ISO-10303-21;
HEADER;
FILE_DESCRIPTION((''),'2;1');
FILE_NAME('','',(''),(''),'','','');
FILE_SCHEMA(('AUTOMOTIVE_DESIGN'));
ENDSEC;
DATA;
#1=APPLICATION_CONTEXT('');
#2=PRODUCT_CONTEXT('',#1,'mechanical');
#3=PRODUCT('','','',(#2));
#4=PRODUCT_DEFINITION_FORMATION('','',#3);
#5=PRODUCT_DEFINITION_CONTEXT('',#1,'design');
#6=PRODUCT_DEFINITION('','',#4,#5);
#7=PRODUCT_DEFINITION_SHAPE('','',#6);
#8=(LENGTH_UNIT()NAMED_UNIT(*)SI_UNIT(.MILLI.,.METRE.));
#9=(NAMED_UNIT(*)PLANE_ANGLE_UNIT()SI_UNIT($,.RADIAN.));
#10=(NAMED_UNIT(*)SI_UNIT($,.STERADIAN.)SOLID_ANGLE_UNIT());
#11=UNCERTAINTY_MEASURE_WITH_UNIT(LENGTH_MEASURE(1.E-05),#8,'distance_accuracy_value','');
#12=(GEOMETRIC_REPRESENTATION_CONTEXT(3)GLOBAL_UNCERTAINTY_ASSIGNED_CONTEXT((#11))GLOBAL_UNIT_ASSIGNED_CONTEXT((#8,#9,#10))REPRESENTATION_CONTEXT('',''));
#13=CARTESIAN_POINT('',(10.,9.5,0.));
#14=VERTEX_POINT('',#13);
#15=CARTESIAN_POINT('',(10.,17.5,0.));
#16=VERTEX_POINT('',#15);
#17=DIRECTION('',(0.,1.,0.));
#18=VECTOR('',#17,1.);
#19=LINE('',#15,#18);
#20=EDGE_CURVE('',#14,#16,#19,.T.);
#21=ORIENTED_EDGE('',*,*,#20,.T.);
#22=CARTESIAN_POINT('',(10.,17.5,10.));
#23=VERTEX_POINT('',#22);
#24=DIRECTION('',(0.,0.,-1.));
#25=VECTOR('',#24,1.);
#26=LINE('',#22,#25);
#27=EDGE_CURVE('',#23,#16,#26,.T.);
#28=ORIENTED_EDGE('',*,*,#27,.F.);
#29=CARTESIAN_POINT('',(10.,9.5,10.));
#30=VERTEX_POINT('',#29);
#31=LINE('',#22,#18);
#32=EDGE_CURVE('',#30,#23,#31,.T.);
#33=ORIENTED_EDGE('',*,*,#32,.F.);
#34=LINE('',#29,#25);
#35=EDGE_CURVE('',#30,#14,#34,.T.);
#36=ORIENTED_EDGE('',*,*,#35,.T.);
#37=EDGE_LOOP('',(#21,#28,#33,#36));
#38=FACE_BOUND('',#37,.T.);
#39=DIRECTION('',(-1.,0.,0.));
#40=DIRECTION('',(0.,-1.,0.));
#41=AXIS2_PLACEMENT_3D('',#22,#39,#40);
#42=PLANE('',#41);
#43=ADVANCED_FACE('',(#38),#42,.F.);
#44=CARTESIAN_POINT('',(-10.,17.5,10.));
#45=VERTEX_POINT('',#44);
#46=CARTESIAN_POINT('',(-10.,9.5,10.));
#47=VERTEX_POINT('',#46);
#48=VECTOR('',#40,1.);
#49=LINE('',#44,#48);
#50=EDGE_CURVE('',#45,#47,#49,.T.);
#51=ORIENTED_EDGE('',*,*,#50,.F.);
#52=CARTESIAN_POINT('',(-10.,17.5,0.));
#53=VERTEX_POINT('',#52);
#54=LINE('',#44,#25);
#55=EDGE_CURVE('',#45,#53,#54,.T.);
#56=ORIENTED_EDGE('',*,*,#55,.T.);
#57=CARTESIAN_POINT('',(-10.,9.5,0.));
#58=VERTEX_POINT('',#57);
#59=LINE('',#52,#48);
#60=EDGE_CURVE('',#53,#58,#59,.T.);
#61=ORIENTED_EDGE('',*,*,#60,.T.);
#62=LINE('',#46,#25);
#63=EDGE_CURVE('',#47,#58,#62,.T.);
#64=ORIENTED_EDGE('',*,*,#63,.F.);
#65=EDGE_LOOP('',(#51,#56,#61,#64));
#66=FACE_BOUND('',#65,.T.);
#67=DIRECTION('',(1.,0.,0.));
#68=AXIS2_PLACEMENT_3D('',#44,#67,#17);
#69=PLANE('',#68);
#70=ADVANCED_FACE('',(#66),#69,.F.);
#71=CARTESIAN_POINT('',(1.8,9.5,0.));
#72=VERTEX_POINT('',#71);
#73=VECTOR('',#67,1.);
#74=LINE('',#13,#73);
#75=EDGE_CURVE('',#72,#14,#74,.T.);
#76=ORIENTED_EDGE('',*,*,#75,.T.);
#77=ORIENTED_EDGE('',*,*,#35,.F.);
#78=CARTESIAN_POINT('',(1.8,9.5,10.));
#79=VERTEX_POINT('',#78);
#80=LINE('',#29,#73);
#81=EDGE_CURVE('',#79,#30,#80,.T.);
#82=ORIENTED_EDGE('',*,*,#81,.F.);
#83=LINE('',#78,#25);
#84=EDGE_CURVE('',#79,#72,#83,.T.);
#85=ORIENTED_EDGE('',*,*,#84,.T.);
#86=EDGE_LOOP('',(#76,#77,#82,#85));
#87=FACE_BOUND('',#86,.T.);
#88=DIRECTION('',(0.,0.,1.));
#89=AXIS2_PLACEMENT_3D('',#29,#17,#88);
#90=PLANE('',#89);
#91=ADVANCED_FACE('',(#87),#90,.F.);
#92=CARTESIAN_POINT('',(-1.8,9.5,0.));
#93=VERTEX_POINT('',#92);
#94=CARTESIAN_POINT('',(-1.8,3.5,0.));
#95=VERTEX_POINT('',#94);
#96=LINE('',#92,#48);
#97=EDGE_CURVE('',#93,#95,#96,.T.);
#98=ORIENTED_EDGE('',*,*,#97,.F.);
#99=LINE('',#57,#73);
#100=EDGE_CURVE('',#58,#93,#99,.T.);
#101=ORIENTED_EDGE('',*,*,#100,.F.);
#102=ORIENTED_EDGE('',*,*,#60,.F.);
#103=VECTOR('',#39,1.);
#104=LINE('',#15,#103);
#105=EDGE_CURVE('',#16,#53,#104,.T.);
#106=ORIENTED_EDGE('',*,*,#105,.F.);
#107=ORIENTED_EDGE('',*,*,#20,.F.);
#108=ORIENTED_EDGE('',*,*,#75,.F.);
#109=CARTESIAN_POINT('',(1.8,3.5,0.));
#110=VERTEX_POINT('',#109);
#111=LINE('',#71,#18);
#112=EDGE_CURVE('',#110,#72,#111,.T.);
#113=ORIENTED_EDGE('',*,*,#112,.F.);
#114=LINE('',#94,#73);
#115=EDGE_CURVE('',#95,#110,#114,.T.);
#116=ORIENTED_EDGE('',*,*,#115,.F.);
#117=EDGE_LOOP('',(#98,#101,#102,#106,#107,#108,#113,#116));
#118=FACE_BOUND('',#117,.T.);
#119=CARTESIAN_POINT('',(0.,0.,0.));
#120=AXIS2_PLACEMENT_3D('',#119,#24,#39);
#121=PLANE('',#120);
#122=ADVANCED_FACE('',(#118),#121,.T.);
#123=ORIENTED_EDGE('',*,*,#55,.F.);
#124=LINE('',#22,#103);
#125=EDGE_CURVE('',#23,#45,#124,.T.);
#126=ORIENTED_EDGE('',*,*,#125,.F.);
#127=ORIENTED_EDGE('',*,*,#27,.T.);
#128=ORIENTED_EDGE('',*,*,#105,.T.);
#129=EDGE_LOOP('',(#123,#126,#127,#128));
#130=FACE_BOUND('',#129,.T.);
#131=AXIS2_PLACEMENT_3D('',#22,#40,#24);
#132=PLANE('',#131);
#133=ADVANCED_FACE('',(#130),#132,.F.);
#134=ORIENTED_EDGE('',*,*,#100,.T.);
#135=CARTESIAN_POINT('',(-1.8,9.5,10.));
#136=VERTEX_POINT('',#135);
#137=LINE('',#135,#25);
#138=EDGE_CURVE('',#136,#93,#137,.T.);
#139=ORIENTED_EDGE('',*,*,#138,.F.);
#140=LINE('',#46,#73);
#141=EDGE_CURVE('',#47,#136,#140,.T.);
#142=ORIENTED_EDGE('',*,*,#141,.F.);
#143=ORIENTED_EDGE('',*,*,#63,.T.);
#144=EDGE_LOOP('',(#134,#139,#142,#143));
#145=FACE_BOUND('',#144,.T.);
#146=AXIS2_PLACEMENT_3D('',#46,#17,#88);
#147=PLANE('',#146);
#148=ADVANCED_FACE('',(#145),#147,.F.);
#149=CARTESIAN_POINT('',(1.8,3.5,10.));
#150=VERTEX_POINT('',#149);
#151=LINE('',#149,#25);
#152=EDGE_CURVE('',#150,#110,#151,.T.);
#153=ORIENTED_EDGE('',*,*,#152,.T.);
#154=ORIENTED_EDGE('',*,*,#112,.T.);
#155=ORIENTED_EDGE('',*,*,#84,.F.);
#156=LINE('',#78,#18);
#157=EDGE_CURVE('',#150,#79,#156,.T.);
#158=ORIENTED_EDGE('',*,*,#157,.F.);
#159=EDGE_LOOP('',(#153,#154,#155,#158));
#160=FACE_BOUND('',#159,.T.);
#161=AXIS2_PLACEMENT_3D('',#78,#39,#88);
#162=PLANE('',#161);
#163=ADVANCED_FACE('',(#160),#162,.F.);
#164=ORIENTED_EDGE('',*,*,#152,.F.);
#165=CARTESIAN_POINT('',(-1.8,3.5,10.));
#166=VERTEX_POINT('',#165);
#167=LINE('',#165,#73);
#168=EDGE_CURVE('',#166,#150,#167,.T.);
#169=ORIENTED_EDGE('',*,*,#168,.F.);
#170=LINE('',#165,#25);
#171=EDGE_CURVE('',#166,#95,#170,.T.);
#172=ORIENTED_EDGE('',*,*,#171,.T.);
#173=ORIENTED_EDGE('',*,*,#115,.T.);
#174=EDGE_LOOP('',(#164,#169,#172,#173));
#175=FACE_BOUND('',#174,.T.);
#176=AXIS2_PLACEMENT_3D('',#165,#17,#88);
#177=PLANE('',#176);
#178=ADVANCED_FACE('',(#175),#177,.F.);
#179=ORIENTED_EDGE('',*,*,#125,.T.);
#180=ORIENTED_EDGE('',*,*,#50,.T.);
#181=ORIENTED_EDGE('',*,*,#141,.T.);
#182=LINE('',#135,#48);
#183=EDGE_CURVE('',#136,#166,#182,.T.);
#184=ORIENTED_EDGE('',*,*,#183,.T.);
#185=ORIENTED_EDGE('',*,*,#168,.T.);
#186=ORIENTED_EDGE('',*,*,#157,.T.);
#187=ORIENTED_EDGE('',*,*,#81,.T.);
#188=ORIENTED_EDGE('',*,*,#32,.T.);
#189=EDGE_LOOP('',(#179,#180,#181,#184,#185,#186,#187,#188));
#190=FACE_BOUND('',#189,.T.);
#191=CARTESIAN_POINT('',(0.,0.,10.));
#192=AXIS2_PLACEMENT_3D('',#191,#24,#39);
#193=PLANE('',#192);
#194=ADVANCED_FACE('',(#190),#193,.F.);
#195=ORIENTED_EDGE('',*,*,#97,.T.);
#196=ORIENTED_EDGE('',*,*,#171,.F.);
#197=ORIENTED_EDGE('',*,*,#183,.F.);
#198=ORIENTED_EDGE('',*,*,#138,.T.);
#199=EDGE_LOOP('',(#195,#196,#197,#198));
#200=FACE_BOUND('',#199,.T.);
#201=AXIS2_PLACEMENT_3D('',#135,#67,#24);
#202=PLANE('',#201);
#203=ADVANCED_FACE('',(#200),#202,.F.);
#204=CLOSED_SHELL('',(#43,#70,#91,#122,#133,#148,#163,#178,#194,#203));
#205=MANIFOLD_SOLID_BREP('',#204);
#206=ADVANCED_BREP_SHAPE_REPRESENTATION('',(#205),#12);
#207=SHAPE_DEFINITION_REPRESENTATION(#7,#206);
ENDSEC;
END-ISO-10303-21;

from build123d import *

# Parameters (mm, degrees)
BOSS_EXTRUDE1_DEPTH = 10


with BuildPart() as part:
    # Sketch1 → Boss-Extrude1 (new body)
    with BuildSketch(Plane.XY):
        Polygon((-1.8, 9.5), (-1.8, 3.5), (1.8, 3.5), (1.8, 9.5), (10, 9.5), (10, 17.5), (-10, 17.5), (-10, 9.5), align=None)
    extrude(amount=BOSS_EXTRUDE1_DEPTH)


solid = part.part
